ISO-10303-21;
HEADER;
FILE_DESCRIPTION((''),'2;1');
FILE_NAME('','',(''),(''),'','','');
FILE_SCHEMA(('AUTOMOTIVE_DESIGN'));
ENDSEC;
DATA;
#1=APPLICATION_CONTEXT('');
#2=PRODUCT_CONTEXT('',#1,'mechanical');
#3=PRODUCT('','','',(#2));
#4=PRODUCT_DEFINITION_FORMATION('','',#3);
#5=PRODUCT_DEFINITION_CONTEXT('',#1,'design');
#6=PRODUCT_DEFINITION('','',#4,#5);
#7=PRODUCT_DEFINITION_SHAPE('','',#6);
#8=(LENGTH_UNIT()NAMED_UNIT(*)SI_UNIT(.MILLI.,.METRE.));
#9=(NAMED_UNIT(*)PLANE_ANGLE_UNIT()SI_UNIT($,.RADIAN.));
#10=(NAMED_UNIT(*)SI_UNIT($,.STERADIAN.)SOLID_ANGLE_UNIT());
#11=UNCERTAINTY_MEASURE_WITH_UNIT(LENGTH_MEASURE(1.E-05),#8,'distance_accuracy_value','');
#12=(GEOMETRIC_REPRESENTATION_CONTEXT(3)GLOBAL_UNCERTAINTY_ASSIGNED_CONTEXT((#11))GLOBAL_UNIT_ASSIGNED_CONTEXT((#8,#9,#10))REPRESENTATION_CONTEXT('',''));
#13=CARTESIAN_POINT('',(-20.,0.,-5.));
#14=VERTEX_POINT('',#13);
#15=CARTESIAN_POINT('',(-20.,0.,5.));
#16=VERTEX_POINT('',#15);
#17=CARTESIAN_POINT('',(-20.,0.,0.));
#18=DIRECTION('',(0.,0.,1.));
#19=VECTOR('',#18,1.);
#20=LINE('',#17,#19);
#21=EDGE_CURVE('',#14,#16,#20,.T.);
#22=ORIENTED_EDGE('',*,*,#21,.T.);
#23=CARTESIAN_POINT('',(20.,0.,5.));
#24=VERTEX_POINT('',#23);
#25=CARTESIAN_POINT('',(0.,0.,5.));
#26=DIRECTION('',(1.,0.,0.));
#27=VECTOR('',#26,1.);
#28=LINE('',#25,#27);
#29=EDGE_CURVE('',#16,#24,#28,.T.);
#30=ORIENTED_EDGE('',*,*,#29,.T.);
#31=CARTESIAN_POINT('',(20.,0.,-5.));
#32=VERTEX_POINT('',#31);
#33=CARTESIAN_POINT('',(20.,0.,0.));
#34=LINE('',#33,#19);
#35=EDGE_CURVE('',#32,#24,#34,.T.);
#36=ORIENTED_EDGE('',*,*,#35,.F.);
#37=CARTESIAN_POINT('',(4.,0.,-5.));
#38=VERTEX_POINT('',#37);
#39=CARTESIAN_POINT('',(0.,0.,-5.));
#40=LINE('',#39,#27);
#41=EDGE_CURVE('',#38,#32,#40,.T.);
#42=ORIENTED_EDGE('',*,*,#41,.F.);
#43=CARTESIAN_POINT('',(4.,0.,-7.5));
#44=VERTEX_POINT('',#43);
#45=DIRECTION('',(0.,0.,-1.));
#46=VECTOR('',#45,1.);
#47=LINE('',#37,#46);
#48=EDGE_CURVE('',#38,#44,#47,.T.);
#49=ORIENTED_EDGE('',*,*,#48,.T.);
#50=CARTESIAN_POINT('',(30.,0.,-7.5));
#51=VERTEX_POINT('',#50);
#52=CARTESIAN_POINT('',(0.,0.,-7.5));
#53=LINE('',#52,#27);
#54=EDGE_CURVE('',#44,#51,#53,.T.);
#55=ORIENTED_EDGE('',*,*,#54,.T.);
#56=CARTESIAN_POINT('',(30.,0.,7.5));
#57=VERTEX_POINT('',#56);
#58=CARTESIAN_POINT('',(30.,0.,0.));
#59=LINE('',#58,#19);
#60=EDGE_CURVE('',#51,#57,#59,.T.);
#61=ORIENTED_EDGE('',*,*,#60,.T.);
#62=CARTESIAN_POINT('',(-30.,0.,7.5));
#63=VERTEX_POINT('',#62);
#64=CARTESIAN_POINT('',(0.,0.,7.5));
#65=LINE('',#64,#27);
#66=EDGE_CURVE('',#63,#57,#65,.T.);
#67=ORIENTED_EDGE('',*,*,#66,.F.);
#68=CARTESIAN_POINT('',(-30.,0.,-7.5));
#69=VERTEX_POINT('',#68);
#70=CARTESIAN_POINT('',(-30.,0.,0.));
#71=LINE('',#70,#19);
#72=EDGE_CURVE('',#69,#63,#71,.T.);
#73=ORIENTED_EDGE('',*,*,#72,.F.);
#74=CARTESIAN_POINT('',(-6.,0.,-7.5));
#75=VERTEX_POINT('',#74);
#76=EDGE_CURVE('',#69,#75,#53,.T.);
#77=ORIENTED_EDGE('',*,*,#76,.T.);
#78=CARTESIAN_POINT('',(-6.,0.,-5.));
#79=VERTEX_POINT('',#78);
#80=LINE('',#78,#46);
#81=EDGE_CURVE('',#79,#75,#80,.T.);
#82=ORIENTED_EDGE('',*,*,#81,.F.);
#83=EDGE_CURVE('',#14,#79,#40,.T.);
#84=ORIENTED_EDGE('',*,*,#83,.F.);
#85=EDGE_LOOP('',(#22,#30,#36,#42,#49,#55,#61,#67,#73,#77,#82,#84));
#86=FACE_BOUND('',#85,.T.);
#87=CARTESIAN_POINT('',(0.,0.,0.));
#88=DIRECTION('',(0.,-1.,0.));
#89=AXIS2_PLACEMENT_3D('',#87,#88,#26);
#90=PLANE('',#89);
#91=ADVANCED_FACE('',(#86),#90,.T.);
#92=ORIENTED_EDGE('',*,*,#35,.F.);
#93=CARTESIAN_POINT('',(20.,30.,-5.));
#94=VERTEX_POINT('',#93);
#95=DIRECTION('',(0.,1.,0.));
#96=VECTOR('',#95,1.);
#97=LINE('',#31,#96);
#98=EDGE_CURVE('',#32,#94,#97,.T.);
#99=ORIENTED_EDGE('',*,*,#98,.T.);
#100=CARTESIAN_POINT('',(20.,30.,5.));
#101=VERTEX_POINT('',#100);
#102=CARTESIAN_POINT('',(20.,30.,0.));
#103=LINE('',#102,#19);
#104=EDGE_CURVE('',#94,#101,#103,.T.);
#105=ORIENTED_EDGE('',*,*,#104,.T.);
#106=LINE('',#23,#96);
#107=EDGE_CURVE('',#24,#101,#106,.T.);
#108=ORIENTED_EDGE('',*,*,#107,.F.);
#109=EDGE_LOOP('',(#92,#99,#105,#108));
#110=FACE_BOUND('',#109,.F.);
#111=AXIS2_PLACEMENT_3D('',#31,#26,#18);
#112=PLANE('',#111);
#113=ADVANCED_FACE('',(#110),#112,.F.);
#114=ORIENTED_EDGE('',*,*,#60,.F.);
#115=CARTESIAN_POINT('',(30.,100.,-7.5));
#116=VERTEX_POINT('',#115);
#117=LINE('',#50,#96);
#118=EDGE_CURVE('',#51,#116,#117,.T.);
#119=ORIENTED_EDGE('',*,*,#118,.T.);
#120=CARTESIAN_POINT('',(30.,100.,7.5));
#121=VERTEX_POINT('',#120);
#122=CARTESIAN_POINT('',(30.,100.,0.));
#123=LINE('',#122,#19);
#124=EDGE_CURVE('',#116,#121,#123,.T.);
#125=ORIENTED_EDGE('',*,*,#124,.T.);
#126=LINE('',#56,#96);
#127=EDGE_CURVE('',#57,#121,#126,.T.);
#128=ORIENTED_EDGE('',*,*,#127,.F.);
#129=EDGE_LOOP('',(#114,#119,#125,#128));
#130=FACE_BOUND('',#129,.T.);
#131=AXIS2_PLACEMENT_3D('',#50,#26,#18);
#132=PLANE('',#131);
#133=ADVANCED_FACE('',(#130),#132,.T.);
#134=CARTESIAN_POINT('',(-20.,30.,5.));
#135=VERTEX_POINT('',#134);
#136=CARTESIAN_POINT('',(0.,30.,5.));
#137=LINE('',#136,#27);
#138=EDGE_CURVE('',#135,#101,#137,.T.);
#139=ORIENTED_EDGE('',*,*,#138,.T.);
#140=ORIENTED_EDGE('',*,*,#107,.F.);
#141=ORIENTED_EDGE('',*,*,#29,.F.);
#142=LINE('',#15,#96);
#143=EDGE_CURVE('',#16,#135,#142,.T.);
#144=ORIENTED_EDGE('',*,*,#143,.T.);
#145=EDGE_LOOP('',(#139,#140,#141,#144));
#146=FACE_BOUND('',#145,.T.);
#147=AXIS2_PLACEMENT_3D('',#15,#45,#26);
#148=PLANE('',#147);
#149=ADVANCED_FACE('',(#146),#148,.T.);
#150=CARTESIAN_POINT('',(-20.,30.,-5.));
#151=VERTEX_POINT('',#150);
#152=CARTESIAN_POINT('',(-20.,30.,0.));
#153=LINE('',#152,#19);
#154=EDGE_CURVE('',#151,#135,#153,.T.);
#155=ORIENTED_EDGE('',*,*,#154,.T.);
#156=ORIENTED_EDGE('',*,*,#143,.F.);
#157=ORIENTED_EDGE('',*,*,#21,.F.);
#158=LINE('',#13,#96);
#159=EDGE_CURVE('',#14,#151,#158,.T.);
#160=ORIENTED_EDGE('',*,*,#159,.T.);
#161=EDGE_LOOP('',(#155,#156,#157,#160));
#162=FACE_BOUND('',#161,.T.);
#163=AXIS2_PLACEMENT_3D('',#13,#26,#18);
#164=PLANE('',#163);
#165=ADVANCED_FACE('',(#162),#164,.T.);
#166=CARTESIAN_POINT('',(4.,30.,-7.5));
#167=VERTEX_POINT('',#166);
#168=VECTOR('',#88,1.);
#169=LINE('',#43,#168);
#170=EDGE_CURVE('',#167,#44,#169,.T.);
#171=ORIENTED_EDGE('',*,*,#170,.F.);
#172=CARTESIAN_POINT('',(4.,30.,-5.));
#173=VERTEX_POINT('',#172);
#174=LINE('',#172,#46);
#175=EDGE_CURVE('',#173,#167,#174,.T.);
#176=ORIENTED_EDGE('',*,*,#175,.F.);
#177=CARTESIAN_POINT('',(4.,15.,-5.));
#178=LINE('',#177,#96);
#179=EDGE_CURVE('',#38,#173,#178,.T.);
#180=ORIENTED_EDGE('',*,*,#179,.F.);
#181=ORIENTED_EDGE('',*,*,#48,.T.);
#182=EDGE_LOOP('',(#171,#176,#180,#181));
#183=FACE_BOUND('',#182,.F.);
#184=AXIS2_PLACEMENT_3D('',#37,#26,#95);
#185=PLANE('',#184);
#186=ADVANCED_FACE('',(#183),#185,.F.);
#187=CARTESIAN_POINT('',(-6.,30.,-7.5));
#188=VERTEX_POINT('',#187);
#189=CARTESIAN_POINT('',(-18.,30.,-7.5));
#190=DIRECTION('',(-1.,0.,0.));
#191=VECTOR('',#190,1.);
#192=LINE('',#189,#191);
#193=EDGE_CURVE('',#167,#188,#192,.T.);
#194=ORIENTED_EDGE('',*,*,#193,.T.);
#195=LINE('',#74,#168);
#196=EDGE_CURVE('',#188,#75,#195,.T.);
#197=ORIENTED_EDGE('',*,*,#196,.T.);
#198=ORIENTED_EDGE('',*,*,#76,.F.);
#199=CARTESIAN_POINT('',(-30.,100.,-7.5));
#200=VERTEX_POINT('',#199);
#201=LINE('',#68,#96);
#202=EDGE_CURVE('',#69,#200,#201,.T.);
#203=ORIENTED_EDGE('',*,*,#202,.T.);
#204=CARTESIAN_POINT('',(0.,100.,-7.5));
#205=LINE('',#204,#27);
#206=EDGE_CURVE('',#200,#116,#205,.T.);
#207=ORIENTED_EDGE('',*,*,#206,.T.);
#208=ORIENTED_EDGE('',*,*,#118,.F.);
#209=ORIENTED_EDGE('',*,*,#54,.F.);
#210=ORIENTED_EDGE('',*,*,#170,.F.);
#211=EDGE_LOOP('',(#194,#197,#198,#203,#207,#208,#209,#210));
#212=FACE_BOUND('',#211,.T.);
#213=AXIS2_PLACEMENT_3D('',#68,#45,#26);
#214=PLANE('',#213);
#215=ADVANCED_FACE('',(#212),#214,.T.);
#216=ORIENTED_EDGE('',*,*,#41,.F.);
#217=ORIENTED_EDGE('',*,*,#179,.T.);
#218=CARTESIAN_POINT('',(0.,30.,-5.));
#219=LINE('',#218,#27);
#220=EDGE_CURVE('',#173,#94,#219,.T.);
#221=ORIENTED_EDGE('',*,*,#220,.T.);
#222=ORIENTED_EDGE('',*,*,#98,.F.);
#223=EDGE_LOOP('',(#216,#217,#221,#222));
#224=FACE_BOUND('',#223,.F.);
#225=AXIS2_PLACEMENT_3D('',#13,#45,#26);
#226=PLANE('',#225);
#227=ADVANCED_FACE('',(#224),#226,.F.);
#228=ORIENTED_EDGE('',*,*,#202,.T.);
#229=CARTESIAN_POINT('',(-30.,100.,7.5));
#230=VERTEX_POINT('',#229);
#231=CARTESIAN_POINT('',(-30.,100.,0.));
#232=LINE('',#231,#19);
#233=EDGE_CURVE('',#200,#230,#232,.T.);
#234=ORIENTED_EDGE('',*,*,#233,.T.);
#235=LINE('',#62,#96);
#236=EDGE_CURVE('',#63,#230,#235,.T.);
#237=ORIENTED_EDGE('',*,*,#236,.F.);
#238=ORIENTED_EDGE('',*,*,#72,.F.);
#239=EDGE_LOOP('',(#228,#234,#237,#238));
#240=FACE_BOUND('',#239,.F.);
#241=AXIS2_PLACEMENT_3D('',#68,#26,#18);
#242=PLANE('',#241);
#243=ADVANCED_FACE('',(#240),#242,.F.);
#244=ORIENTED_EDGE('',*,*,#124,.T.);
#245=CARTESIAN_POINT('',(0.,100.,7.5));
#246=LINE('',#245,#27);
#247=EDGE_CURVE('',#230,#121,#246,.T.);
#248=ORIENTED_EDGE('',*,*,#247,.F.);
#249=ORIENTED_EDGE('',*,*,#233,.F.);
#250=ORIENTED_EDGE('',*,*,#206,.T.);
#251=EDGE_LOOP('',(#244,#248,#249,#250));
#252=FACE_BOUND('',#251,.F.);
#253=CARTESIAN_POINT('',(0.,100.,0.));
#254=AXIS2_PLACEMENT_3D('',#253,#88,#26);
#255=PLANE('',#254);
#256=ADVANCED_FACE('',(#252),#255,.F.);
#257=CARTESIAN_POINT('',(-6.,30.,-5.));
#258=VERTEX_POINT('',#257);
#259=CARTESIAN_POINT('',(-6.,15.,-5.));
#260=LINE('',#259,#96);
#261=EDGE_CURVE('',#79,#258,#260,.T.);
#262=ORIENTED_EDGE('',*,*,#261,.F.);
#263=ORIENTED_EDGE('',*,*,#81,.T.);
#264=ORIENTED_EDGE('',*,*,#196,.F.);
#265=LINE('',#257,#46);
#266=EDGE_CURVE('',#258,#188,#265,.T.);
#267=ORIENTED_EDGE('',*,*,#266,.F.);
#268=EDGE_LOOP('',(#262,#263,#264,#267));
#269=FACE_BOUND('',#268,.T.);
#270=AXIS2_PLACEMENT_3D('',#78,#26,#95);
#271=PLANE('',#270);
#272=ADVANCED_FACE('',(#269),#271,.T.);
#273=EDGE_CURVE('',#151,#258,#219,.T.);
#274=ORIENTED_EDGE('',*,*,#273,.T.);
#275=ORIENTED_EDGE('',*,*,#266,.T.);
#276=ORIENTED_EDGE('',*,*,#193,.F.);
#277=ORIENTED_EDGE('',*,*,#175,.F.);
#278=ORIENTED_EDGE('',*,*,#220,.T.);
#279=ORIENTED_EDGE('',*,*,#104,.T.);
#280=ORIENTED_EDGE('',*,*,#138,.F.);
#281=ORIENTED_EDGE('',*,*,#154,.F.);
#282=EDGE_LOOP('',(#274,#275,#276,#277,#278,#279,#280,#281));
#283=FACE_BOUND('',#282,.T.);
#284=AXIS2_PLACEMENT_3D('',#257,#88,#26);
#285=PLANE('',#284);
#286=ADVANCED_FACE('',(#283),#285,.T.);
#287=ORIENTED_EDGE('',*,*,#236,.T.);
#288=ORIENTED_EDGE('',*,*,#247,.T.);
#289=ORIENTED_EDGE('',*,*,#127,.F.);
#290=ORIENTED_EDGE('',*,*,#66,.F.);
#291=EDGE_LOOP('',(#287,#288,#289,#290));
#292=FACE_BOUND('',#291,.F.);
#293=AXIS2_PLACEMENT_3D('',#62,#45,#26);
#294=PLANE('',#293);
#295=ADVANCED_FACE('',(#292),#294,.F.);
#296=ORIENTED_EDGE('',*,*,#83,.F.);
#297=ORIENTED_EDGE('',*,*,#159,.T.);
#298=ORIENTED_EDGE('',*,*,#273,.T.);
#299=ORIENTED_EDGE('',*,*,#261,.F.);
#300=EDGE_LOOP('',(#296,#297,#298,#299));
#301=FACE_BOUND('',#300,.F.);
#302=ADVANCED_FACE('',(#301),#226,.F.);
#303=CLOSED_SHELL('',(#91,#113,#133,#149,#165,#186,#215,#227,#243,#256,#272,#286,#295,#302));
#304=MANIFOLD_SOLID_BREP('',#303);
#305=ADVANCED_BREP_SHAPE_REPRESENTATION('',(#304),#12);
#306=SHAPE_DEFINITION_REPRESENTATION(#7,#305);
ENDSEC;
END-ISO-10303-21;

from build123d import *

# Parameters (mm, degrees)
F0_W     = 60
F0_H     = 15
F1_DEPTH = 100
F2_W     = 40
F2_H     = 10
F3_DEPTH = 30
F4_W     = 10
F4_H     = 30
F5_DEPTH = 25


with BuildPart() as f1:
    # F0 (on Front) → F1 (new body)
    with BuildSketch(Plane.XZ):
        Rectangle(F0_W, F0_H)
    extrude(amount=-F1_DEPTH)

    # F2 (on face) → F3 (cut)
    with BuildSketch(Plane.XZ):
        Rectangle(F2_W, F2_H)
    extrude(amount=-F3_DEPTH, mode=Mode.SUBTRACT)

    # F4 (on face) → F5 (cut)
    with BuildSketch(Plane.XY.offset(-5)):
        with Locations((-1, 15)):
            Rectangle(F4_W, F4_H)
    extrude(amount=-F5_DEPTH, mode=Mode.SUBTRACT)


solid = f1.part
